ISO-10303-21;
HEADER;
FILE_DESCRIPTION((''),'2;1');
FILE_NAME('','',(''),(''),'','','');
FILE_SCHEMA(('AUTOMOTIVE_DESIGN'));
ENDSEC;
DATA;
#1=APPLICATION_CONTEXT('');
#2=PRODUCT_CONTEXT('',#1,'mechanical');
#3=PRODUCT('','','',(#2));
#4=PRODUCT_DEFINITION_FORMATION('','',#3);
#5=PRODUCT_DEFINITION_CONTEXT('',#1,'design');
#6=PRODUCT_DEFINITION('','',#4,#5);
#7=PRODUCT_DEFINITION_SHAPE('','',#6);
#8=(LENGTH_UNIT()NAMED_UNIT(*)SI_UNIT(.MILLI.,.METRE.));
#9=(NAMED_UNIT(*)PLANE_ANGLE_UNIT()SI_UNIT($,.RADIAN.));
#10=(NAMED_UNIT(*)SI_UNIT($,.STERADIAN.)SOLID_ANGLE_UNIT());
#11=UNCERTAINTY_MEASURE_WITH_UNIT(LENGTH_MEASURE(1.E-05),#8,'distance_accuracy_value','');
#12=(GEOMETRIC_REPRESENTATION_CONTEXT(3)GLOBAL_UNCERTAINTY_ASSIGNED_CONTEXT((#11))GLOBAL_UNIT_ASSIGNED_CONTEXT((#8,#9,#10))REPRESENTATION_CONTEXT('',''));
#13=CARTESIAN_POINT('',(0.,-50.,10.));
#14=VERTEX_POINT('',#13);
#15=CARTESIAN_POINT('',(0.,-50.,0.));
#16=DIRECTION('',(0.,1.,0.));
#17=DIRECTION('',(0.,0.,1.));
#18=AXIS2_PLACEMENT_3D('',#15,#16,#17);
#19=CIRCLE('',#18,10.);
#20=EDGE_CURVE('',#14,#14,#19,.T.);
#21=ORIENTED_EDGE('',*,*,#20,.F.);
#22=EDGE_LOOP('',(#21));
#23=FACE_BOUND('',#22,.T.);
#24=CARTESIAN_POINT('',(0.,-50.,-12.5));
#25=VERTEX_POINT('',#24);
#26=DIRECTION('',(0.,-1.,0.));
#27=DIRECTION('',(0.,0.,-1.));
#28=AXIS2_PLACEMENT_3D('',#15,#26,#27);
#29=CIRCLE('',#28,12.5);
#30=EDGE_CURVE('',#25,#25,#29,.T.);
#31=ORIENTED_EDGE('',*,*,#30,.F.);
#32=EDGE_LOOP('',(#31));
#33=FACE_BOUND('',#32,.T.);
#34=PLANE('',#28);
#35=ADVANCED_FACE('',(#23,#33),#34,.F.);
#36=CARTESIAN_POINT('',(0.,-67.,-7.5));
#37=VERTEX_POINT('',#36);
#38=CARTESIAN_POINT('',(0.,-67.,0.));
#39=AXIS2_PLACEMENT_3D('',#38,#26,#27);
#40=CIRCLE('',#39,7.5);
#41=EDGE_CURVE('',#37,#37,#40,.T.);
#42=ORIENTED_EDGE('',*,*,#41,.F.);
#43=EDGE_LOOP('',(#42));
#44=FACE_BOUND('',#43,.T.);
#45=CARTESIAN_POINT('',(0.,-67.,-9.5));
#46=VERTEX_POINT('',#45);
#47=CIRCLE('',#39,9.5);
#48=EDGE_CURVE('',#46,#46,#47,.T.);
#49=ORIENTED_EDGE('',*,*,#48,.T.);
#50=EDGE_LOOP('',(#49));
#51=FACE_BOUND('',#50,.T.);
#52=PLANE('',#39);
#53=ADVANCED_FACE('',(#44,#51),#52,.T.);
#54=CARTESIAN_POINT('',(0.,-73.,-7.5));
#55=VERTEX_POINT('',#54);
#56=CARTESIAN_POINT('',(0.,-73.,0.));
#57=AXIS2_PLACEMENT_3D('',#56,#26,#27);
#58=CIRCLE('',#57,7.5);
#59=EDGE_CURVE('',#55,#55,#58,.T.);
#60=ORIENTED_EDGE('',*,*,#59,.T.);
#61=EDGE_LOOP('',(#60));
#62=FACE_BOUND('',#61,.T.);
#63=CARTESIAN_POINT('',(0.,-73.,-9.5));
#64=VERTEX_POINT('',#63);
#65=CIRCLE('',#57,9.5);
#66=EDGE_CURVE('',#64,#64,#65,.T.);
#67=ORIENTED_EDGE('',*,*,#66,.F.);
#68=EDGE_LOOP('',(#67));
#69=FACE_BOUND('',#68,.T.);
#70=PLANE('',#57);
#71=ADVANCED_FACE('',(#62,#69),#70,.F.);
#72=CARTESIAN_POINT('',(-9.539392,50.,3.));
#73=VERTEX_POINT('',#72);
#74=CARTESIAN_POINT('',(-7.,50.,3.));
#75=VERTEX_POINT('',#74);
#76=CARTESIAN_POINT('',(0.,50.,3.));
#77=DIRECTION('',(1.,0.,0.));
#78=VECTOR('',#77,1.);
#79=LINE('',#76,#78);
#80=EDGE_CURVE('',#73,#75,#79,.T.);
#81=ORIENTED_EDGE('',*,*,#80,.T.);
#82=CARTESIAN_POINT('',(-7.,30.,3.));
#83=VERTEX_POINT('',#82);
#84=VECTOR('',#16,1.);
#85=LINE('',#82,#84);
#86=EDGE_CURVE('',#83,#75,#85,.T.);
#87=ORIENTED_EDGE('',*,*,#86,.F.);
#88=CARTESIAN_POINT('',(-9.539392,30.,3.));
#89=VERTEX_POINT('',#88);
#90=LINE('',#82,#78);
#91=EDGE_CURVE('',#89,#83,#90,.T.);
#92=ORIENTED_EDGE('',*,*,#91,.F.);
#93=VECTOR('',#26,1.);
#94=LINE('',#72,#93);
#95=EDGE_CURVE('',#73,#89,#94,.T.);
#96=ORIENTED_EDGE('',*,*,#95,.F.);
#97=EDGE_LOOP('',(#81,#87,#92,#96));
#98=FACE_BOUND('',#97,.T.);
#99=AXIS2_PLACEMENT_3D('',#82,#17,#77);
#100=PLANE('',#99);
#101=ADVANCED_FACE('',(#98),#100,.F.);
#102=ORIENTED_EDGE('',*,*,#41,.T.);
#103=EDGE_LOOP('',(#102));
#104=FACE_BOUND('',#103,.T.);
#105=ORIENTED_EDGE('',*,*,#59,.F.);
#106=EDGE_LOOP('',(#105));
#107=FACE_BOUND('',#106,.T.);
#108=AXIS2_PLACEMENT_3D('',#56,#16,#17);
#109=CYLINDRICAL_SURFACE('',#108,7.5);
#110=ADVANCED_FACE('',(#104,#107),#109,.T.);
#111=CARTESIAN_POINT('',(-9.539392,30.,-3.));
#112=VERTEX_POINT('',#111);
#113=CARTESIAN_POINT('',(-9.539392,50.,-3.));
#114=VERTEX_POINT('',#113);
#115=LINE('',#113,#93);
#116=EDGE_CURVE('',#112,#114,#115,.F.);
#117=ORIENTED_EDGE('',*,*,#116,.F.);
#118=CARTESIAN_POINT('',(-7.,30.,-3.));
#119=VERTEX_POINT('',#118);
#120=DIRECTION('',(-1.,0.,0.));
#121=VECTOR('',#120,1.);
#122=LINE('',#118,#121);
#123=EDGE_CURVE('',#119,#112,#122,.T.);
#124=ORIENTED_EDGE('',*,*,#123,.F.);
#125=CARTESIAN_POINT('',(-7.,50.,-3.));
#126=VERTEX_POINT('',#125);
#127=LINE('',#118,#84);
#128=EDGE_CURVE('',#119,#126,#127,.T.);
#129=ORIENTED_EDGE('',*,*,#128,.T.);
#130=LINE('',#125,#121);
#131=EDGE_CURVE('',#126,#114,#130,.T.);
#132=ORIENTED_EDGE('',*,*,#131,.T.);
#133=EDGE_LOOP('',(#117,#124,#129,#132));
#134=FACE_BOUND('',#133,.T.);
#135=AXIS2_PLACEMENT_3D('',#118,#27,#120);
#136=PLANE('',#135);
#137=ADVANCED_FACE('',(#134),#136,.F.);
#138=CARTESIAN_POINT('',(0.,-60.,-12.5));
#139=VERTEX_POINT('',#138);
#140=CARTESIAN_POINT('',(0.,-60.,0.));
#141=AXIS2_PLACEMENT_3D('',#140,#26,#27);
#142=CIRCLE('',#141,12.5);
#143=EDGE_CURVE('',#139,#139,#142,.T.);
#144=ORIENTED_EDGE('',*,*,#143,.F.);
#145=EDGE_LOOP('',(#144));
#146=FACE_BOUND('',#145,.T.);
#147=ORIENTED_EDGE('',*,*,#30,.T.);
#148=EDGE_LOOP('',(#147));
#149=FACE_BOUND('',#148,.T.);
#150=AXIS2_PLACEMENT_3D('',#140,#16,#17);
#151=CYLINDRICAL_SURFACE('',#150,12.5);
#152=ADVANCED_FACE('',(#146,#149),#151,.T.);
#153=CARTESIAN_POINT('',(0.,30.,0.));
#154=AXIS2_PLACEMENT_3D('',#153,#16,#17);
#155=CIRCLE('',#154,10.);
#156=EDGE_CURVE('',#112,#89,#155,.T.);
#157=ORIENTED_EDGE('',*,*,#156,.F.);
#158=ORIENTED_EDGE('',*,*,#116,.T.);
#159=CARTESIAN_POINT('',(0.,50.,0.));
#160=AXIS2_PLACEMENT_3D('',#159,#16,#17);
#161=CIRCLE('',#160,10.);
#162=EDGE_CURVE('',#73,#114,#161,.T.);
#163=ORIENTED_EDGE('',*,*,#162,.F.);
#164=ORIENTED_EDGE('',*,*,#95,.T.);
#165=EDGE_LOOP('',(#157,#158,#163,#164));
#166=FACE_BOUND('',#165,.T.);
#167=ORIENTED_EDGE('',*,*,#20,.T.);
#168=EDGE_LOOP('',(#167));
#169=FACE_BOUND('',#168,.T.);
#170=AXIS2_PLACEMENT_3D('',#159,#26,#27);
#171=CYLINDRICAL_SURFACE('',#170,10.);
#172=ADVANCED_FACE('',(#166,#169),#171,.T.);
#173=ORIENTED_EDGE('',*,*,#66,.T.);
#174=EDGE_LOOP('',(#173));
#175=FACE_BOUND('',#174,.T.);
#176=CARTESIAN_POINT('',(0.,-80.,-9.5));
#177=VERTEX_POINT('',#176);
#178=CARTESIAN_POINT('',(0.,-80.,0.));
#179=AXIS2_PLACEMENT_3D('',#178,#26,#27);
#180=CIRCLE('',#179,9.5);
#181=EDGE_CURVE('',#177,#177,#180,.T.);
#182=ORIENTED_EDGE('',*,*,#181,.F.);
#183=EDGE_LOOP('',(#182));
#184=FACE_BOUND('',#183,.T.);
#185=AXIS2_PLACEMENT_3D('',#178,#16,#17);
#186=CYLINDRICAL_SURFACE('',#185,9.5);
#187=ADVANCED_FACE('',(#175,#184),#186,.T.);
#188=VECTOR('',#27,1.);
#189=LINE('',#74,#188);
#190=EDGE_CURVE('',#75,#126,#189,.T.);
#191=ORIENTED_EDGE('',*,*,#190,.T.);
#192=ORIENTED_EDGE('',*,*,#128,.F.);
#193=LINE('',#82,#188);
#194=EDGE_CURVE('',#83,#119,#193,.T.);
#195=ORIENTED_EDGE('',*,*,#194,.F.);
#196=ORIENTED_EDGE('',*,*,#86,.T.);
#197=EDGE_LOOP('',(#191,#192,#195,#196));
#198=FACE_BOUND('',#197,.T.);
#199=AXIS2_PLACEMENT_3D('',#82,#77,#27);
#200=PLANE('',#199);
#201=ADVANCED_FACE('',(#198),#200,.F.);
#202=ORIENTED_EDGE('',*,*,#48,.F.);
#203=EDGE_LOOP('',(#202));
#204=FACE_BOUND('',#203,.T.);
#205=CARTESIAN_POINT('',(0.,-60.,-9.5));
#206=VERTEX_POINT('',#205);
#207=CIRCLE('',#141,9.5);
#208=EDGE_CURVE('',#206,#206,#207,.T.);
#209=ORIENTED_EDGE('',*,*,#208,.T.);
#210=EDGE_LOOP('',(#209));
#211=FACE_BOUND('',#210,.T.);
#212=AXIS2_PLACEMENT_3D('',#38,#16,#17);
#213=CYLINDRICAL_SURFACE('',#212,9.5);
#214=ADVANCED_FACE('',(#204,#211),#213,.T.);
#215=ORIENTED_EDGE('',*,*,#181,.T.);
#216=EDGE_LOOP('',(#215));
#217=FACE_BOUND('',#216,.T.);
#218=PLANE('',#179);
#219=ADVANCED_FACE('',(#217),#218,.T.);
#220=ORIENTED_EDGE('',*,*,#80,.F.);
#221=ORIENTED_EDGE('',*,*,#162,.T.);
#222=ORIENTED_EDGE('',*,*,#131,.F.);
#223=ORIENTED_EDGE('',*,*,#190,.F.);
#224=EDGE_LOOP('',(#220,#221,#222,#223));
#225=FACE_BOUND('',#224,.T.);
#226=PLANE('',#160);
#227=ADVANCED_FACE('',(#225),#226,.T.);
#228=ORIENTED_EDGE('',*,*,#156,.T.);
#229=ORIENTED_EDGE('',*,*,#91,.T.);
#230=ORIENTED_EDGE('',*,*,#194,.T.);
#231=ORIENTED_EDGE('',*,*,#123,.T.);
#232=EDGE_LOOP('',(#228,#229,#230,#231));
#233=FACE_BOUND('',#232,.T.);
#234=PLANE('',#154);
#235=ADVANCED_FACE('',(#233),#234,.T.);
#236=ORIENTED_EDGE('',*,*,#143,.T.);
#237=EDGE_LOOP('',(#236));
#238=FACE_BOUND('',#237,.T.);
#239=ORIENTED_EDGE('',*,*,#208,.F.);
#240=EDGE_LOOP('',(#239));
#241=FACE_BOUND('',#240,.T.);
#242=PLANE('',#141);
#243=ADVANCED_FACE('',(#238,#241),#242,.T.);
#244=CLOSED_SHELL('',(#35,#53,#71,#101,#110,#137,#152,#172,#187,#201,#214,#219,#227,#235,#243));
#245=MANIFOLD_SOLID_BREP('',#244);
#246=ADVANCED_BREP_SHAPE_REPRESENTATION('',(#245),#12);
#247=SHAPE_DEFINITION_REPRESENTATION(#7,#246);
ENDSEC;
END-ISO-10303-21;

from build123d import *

# Parameters (mm, degrees)
SKETCH1_R           = 10
BOSS_EXTRUDE1_DEPTH = 50
SKETCH2_R           = 12.5
BOSS_EXTRUDE2_DEPTH = 10
SKETCH3_R           = 9.5
BOSS_EXTRUDE3_DEPTH = 7
SKETCH4_R           = 7.5
BOSS_EXTRUDE4_DEPTH = 6
SKETCH5_R           = 9.5
BOSS_EXTRUDE5_DEPTH = 7
SKETCH6_W           = 6
SKETCH6_H           = 6
CUT_EXTRUDE1_DEPTH  = 20


with BuildPart() as part:
    # Sketch1 → Boss-Extrude1 (new, symmetric)
    with BuildSketch(Plane(origin=(0, 0, 0), x_dir=(1, 0, 0), z_dir=(0, 1, 0))):
        with Locations(Location((0, 0, 0), (0, 0, 270))):
            Circle(SKETCH1_R)
    extrude(amount=BOSS_EXTRUDE1_DEPTH, both=True)

    # Sketch2 → Boss-Extrude2 (add)
    with BuildSketch(Plane.XZ.offset(50)):
        with Locations(Location((0, 0, 0), (0, 0, 270))):
            Circle(SKETCH2_R)
    extrude(amount=BOSS_EXTRUDE2_DEPTH)

    # Sketch3 → Boss-Extrude3 (add)
    with BuildSketch(Plane.XZ.offset(60)):
        with Locations(Location((0, 0, 0), (0, 0, 270))):
            Circle(SKETCH3_R)
    extrude(amount=BOSS_EXTRUDE3_DEPTH)

    # Sketch4 → Boss-Extrude4 (add)
    with BuildSketch(Plane.XZ.offset(67)):
        with Locations(Location((0, 0, 0), (0, 0, 270))):
            Circle(SKETCH4_R)
    extrude(amount=BOSS_EXTRUDE4_DEPTH)

    # Sketch5 → Boss-Extrude5 (add)
    with BuildSketch(Plane.XZ.offset(73)):
        with Locations(Location((0, 0, 0), (0, 0, 270))):
            Circle(SKETCH5_R)
    extrude(amount=BOSS_EXTRUDE5_DEPTH)

    # Sketch6 → Cut-Extrude1 (cut)
    with BuildSketch(Plane(origin=(0, 50, 0), x_dir=(1, 0, 0), z_dir=(0, 1, 0))):
        with Locations((-10, 0)):
            Rectangle(SKETCH6_W, SKETCH6_H)
    extrude(amount=-CUT_EXTRUDE1_DEPTH, mode=Mode.SUBTRACT)


solid = part.part
